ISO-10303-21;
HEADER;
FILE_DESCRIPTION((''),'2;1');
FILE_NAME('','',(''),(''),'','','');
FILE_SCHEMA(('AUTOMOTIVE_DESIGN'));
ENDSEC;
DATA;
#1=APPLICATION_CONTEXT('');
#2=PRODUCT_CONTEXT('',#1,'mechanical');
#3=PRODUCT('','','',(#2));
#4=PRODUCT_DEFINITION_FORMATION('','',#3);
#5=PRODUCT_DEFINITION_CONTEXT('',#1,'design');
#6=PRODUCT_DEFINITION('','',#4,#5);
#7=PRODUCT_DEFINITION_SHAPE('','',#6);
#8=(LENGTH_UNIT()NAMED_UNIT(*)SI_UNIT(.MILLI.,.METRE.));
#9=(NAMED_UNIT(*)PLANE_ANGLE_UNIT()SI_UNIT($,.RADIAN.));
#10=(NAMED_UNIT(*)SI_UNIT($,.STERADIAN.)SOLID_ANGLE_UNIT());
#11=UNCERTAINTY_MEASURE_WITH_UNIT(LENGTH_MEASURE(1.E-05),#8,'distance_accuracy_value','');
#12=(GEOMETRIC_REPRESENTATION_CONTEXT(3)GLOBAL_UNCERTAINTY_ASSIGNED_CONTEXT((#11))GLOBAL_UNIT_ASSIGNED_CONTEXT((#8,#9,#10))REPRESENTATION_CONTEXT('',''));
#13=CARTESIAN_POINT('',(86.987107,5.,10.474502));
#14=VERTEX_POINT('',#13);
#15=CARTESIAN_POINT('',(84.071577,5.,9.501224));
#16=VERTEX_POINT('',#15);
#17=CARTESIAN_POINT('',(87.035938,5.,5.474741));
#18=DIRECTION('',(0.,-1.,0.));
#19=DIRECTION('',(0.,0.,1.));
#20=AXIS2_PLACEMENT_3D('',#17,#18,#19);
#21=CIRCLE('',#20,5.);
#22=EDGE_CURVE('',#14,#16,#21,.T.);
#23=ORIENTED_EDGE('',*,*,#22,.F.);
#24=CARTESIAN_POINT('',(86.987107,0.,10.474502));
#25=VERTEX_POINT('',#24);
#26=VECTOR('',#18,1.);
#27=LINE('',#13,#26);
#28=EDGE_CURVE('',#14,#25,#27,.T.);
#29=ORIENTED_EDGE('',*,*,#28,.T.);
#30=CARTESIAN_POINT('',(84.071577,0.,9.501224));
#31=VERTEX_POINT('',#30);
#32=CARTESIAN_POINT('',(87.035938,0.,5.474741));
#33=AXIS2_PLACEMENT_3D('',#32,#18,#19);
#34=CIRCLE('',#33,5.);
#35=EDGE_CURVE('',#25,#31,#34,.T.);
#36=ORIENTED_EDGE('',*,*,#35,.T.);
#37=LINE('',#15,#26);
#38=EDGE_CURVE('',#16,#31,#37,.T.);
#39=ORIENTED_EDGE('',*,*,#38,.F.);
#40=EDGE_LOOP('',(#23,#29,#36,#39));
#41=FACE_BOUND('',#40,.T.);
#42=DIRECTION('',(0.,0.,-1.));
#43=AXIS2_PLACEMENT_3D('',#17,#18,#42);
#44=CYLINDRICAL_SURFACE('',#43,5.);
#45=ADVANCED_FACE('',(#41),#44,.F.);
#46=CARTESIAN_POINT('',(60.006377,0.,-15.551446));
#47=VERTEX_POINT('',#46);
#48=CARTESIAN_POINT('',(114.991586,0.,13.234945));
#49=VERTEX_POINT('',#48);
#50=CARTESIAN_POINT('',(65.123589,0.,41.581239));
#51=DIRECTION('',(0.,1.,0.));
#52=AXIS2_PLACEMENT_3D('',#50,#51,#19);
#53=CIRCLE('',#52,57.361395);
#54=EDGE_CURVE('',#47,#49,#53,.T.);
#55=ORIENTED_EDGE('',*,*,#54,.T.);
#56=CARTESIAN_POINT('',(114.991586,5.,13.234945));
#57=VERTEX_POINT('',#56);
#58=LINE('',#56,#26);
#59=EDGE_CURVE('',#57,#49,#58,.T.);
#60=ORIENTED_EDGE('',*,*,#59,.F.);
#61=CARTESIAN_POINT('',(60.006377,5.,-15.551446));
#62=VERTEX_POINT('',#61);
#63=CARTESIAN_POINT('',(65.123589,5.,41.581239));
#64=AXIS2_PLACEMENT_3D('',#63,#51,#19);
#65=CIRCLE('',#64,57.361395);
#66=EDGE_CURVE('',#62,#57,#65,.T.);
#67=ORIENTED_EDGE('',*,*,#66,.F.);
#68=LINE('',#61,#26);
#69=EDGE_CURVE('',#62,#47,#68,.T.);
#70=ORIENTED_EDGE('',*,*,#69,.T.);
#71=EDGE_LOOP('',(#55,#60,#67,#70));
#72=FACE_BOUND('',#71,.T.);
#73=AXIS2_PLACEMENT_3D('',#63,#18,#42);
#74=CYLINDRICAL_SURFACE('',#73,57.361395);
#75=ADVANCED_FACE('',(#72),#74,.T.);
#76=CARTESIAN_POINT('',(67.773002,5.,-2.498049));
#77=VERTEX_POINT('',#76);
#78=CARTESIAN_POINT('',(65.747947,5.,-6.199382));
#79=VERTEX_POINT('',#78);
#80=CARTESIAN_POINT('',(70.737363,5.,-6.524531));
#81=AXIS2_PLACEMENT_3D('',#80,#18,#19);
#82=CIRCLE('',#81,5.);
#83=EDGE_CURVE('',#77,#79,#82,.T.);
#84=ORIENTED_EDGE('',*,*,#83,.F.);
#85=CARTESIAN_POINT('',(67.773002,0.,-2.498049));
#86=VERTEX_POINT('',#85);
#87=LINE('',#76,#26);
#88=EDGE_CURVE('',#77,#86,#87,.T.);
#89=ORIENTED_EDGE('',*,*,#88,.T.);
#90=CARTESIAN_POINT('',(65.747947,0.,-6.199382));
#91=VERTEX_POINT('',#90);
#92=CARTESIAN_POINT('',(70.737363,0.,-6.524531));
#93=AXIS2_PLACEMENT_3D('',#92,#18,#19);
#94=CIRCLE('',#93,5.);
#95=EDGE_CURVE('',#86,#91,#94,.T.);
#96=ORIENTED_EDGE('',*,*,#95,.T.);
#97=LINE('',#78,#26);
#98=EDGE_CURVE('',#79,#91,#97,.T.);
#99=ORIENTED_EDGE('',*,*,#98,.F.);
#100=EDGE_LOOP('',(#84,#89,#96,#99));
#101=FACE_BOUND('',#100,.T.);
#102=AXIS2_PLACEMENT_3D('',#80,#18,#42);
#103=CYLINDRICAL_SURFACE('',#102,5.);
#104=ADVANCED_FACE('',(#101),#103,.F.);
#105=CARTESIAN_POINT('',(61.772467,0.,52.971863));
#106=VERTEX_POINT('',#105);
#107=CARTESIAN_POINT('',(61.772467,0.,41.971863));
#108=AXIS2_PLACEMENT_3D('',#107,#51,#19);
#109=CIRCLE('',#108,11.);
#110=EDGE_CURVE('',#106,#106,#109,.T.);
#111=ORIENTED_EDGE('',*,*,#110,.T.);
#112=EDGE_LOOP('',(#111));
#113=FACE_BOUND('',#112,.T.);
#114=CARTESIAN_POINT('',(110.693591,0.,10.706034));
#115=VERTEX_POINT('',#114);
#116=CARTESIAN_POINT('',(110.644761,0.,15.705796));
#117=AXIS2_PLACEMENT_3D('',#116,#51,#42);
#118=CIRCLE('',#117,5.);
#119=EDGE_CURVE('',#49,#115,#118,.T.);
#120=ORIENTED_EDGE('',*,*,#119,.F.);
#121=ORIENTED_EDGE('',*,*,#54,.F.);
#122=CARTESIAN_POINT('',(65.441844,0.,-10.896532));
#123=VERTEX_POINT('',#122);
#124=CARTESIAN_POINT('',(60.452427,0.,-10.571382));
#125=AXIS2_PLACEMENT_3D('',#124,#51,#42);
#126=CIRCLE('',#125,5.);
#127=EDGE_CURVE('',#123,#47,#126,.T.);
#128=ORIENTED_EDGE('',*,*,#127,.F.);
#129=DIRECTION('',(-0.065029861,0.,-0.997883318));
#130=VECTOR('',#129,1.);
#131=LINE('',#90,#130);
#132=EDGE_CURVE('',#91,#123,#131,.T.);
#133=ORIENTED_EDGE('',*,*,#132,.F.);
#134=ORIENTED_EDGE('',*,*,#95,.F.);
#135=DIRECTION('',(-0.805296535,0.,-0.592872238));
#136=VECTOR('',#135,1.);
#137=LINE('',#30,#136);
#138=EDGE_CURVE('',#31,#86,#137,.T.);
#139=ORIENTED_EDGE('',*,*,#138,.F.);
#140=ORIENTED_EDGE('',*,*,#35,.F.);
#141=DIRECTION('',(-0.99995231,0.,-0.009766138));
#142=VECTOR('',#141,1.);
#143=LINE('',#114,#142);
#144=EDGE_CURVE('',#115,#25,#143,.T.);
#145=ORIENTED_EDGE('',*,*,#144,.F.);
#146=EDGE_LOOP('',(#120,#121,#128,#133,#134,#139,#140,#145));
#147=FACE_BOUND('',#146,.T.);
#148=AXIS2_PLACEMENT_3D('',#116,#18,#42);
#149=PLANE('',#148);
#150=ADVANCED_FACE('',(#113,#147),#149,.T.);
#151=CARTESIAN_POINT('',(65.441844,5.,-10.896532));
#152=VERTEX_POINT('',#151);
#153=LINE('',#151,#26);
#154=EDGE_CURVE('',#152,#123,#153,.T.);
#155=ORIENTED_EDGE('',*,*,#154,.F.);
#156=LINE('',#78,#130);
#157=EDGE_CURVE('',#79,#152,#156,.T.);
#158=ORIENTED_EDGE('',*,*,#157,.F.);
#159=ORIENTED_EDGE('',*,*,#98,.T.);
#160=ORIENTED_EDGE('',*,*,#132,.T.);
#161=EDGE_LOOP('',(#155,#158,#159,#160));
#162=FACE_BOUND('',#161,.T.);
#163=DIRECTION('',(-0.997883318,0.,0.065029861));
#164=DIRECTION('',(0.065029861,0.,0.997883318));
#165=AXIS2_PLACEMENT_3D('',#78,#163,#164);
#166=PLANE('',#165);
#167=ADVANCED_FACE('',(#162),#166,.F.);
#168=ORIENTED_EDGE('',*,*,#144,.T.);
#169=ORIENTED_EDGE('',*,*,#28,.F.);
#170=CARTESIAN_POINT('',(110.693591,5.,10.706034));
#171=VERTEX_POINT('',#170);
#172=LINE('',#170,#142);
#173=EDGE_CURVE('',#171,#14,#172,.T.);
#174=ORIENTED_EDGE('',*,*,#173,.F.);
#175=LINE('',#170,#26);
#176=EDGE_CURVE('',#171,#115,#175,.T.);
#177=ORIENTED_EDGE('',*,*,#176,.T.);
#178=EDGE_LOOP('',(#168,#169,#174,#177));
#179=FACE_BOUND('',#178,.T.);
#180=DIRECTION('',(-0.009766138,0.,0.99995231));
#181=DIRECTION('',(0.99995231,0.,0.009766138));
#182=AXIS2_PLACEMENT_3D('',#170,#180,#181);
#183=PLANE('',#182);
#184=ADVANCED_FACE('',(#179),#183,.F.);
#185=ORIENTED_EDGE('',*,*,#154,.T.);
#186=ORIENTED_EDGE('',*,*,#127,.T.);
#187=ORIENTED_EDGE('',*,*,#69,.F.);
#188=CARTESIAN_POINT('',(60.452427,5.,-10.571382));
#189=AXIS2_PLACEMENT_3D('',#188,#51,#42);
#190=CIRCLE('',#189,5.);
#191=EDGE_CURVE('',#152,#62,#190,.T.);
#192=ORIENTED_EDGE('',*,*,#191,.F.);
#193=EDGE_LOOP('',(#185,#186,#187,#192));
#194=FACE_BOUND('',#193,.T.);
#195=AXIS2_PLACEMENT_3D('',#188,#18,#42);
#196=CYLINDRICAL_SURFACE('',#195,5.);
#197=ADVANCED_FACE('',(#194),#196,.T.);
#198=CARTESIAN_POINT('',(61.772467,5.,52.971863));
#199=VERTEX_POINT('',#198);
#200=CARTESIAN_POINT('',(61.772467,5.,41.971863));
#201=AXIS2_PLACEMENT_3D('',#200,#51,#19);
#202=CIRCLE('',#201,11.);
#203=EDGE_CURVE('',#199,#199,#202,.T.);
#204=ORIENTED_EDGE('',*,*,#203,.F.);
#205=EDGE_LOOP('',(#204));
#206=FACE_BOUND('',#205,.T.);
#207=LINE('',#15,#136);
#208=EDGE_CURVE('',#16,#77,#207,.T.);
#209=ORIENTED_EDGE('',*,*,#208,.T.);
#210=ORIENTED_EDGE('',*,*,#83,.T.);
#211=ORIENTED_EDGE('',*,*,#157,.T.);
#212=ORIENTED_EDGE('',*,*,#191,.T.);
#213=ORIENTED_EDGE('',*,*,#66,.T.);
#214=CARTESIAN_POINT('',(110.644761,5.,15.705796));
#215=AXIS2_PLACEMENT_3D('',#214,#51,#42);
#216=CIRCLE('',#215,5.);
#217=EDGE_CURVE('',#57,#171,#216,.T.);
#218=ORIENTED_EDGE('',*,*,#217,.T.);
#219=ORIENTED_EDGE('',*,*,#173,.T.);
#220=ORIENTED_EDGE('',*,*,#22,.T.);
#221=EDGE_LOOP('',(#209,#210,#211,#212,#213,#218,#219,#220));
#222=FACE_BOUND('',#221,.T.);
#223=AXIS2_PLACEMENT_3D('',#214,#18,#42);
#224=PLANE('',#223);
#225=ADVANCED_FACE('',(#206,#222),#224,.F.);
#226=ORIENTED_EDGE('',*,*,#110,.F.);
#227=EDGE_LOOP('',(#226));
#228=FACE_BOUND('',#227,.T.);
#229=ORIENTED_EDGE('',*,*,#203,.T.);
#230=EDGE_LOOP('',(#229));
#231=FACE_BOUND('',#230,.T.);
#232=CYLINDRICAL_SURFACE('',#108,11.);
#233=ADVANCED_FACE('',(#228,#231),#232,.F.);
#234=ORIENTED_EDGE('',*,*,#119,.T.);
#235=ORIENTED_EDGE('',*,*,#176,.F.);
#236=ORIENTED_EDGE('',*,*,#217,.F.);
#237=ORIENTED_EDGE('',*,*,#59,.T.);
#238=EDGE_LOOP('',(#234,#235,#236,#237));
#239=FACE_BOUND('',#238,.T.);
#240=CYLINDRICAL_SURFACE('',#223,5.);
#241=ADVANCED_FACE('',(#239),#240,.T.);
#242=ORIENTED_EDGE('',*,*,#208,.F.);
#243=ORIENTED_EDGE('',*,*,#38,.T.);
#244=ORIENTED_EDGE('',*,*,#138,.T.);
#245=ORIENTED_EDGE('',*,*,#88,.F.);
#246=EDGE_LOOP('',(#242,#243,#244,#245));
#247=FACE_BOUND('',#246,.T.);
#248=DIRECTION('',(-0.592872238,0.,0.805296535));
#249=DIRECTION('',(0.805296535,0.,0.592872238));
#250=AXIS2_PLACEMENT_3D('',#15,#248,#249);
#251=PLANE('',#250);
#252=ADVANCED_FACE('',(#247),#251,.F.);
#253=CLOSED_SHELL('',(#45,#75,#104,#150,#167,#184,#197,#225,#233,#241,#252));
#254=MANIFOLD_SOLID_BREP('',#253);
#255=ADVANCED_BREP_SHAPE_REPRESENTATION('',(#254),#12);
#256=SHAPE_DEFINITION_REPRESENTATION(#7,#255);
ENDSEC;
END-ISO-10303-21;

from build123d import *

# Parameters (mm, degrees)
EXTRUDE_1_DEPTH     = 5
SKETCH_3_R          = 11
CUT_EXTRUDE_1_DEPTH = 158.534808963


with BuildPart() as part:
    # Эскиз1 → Вытянуть1 (new body)
    with BuildSketch(Plane(origin=(0, 0, 0), x_dir=(1, 0, 0), z_dir=(0, 1, 0))):
        with BuildLine():
            Line((110.693591381, -10.706034223), (86.987107148, -10.47450238))
            ThreePointArc((86.987107148, -10.47450238), (85.452697722, -10.217456373), (84.071576651, -9.501223505))
            Line((84.071576651, -9.501223505), (67.773001994, 2.498048819))
            ThreePointArc((67.773001994, 2.498048819), (66.350950932, 4.124659089), (65.74794659, 6.199382193))
            Line((65.74794659, 6.199382193), (65.441843699, 10.89653157))
            ThreePointArc((65.441843699, 10.89653157), (63.704749785, 14.369065402), (60.006376962, 15.55144645))
            ThreePointArc((60.006376962, 15.55144645), (38.518658839, -92.399615134), (114.99158645, -13.234944542))
            ThreePointArc((114.99158645, -13.234944542), (113.18036629, -11.396421777), (110.693591381, -10.706034223))
        make_face()
    extrude(amount=EXTRUDE_1_DEPTH)

    # Эскиз3 → Вырез-Вытянуть1 (cut, through all)
    with BuildSketch(Plane(origin=(0, 5, 0), x_dir=(1, 0, 0), z_dir=(0, 1, 0))):
        with Locations(Location((61.772466567, -41.971863474, 0), (0, 0, 270))):
            Circle(SKETCH_3_R)
    extrude(amount=-CUT_EXTRUDE_1_DEPTH, mode=Mode.SUBTRACT)


solid = part.part
